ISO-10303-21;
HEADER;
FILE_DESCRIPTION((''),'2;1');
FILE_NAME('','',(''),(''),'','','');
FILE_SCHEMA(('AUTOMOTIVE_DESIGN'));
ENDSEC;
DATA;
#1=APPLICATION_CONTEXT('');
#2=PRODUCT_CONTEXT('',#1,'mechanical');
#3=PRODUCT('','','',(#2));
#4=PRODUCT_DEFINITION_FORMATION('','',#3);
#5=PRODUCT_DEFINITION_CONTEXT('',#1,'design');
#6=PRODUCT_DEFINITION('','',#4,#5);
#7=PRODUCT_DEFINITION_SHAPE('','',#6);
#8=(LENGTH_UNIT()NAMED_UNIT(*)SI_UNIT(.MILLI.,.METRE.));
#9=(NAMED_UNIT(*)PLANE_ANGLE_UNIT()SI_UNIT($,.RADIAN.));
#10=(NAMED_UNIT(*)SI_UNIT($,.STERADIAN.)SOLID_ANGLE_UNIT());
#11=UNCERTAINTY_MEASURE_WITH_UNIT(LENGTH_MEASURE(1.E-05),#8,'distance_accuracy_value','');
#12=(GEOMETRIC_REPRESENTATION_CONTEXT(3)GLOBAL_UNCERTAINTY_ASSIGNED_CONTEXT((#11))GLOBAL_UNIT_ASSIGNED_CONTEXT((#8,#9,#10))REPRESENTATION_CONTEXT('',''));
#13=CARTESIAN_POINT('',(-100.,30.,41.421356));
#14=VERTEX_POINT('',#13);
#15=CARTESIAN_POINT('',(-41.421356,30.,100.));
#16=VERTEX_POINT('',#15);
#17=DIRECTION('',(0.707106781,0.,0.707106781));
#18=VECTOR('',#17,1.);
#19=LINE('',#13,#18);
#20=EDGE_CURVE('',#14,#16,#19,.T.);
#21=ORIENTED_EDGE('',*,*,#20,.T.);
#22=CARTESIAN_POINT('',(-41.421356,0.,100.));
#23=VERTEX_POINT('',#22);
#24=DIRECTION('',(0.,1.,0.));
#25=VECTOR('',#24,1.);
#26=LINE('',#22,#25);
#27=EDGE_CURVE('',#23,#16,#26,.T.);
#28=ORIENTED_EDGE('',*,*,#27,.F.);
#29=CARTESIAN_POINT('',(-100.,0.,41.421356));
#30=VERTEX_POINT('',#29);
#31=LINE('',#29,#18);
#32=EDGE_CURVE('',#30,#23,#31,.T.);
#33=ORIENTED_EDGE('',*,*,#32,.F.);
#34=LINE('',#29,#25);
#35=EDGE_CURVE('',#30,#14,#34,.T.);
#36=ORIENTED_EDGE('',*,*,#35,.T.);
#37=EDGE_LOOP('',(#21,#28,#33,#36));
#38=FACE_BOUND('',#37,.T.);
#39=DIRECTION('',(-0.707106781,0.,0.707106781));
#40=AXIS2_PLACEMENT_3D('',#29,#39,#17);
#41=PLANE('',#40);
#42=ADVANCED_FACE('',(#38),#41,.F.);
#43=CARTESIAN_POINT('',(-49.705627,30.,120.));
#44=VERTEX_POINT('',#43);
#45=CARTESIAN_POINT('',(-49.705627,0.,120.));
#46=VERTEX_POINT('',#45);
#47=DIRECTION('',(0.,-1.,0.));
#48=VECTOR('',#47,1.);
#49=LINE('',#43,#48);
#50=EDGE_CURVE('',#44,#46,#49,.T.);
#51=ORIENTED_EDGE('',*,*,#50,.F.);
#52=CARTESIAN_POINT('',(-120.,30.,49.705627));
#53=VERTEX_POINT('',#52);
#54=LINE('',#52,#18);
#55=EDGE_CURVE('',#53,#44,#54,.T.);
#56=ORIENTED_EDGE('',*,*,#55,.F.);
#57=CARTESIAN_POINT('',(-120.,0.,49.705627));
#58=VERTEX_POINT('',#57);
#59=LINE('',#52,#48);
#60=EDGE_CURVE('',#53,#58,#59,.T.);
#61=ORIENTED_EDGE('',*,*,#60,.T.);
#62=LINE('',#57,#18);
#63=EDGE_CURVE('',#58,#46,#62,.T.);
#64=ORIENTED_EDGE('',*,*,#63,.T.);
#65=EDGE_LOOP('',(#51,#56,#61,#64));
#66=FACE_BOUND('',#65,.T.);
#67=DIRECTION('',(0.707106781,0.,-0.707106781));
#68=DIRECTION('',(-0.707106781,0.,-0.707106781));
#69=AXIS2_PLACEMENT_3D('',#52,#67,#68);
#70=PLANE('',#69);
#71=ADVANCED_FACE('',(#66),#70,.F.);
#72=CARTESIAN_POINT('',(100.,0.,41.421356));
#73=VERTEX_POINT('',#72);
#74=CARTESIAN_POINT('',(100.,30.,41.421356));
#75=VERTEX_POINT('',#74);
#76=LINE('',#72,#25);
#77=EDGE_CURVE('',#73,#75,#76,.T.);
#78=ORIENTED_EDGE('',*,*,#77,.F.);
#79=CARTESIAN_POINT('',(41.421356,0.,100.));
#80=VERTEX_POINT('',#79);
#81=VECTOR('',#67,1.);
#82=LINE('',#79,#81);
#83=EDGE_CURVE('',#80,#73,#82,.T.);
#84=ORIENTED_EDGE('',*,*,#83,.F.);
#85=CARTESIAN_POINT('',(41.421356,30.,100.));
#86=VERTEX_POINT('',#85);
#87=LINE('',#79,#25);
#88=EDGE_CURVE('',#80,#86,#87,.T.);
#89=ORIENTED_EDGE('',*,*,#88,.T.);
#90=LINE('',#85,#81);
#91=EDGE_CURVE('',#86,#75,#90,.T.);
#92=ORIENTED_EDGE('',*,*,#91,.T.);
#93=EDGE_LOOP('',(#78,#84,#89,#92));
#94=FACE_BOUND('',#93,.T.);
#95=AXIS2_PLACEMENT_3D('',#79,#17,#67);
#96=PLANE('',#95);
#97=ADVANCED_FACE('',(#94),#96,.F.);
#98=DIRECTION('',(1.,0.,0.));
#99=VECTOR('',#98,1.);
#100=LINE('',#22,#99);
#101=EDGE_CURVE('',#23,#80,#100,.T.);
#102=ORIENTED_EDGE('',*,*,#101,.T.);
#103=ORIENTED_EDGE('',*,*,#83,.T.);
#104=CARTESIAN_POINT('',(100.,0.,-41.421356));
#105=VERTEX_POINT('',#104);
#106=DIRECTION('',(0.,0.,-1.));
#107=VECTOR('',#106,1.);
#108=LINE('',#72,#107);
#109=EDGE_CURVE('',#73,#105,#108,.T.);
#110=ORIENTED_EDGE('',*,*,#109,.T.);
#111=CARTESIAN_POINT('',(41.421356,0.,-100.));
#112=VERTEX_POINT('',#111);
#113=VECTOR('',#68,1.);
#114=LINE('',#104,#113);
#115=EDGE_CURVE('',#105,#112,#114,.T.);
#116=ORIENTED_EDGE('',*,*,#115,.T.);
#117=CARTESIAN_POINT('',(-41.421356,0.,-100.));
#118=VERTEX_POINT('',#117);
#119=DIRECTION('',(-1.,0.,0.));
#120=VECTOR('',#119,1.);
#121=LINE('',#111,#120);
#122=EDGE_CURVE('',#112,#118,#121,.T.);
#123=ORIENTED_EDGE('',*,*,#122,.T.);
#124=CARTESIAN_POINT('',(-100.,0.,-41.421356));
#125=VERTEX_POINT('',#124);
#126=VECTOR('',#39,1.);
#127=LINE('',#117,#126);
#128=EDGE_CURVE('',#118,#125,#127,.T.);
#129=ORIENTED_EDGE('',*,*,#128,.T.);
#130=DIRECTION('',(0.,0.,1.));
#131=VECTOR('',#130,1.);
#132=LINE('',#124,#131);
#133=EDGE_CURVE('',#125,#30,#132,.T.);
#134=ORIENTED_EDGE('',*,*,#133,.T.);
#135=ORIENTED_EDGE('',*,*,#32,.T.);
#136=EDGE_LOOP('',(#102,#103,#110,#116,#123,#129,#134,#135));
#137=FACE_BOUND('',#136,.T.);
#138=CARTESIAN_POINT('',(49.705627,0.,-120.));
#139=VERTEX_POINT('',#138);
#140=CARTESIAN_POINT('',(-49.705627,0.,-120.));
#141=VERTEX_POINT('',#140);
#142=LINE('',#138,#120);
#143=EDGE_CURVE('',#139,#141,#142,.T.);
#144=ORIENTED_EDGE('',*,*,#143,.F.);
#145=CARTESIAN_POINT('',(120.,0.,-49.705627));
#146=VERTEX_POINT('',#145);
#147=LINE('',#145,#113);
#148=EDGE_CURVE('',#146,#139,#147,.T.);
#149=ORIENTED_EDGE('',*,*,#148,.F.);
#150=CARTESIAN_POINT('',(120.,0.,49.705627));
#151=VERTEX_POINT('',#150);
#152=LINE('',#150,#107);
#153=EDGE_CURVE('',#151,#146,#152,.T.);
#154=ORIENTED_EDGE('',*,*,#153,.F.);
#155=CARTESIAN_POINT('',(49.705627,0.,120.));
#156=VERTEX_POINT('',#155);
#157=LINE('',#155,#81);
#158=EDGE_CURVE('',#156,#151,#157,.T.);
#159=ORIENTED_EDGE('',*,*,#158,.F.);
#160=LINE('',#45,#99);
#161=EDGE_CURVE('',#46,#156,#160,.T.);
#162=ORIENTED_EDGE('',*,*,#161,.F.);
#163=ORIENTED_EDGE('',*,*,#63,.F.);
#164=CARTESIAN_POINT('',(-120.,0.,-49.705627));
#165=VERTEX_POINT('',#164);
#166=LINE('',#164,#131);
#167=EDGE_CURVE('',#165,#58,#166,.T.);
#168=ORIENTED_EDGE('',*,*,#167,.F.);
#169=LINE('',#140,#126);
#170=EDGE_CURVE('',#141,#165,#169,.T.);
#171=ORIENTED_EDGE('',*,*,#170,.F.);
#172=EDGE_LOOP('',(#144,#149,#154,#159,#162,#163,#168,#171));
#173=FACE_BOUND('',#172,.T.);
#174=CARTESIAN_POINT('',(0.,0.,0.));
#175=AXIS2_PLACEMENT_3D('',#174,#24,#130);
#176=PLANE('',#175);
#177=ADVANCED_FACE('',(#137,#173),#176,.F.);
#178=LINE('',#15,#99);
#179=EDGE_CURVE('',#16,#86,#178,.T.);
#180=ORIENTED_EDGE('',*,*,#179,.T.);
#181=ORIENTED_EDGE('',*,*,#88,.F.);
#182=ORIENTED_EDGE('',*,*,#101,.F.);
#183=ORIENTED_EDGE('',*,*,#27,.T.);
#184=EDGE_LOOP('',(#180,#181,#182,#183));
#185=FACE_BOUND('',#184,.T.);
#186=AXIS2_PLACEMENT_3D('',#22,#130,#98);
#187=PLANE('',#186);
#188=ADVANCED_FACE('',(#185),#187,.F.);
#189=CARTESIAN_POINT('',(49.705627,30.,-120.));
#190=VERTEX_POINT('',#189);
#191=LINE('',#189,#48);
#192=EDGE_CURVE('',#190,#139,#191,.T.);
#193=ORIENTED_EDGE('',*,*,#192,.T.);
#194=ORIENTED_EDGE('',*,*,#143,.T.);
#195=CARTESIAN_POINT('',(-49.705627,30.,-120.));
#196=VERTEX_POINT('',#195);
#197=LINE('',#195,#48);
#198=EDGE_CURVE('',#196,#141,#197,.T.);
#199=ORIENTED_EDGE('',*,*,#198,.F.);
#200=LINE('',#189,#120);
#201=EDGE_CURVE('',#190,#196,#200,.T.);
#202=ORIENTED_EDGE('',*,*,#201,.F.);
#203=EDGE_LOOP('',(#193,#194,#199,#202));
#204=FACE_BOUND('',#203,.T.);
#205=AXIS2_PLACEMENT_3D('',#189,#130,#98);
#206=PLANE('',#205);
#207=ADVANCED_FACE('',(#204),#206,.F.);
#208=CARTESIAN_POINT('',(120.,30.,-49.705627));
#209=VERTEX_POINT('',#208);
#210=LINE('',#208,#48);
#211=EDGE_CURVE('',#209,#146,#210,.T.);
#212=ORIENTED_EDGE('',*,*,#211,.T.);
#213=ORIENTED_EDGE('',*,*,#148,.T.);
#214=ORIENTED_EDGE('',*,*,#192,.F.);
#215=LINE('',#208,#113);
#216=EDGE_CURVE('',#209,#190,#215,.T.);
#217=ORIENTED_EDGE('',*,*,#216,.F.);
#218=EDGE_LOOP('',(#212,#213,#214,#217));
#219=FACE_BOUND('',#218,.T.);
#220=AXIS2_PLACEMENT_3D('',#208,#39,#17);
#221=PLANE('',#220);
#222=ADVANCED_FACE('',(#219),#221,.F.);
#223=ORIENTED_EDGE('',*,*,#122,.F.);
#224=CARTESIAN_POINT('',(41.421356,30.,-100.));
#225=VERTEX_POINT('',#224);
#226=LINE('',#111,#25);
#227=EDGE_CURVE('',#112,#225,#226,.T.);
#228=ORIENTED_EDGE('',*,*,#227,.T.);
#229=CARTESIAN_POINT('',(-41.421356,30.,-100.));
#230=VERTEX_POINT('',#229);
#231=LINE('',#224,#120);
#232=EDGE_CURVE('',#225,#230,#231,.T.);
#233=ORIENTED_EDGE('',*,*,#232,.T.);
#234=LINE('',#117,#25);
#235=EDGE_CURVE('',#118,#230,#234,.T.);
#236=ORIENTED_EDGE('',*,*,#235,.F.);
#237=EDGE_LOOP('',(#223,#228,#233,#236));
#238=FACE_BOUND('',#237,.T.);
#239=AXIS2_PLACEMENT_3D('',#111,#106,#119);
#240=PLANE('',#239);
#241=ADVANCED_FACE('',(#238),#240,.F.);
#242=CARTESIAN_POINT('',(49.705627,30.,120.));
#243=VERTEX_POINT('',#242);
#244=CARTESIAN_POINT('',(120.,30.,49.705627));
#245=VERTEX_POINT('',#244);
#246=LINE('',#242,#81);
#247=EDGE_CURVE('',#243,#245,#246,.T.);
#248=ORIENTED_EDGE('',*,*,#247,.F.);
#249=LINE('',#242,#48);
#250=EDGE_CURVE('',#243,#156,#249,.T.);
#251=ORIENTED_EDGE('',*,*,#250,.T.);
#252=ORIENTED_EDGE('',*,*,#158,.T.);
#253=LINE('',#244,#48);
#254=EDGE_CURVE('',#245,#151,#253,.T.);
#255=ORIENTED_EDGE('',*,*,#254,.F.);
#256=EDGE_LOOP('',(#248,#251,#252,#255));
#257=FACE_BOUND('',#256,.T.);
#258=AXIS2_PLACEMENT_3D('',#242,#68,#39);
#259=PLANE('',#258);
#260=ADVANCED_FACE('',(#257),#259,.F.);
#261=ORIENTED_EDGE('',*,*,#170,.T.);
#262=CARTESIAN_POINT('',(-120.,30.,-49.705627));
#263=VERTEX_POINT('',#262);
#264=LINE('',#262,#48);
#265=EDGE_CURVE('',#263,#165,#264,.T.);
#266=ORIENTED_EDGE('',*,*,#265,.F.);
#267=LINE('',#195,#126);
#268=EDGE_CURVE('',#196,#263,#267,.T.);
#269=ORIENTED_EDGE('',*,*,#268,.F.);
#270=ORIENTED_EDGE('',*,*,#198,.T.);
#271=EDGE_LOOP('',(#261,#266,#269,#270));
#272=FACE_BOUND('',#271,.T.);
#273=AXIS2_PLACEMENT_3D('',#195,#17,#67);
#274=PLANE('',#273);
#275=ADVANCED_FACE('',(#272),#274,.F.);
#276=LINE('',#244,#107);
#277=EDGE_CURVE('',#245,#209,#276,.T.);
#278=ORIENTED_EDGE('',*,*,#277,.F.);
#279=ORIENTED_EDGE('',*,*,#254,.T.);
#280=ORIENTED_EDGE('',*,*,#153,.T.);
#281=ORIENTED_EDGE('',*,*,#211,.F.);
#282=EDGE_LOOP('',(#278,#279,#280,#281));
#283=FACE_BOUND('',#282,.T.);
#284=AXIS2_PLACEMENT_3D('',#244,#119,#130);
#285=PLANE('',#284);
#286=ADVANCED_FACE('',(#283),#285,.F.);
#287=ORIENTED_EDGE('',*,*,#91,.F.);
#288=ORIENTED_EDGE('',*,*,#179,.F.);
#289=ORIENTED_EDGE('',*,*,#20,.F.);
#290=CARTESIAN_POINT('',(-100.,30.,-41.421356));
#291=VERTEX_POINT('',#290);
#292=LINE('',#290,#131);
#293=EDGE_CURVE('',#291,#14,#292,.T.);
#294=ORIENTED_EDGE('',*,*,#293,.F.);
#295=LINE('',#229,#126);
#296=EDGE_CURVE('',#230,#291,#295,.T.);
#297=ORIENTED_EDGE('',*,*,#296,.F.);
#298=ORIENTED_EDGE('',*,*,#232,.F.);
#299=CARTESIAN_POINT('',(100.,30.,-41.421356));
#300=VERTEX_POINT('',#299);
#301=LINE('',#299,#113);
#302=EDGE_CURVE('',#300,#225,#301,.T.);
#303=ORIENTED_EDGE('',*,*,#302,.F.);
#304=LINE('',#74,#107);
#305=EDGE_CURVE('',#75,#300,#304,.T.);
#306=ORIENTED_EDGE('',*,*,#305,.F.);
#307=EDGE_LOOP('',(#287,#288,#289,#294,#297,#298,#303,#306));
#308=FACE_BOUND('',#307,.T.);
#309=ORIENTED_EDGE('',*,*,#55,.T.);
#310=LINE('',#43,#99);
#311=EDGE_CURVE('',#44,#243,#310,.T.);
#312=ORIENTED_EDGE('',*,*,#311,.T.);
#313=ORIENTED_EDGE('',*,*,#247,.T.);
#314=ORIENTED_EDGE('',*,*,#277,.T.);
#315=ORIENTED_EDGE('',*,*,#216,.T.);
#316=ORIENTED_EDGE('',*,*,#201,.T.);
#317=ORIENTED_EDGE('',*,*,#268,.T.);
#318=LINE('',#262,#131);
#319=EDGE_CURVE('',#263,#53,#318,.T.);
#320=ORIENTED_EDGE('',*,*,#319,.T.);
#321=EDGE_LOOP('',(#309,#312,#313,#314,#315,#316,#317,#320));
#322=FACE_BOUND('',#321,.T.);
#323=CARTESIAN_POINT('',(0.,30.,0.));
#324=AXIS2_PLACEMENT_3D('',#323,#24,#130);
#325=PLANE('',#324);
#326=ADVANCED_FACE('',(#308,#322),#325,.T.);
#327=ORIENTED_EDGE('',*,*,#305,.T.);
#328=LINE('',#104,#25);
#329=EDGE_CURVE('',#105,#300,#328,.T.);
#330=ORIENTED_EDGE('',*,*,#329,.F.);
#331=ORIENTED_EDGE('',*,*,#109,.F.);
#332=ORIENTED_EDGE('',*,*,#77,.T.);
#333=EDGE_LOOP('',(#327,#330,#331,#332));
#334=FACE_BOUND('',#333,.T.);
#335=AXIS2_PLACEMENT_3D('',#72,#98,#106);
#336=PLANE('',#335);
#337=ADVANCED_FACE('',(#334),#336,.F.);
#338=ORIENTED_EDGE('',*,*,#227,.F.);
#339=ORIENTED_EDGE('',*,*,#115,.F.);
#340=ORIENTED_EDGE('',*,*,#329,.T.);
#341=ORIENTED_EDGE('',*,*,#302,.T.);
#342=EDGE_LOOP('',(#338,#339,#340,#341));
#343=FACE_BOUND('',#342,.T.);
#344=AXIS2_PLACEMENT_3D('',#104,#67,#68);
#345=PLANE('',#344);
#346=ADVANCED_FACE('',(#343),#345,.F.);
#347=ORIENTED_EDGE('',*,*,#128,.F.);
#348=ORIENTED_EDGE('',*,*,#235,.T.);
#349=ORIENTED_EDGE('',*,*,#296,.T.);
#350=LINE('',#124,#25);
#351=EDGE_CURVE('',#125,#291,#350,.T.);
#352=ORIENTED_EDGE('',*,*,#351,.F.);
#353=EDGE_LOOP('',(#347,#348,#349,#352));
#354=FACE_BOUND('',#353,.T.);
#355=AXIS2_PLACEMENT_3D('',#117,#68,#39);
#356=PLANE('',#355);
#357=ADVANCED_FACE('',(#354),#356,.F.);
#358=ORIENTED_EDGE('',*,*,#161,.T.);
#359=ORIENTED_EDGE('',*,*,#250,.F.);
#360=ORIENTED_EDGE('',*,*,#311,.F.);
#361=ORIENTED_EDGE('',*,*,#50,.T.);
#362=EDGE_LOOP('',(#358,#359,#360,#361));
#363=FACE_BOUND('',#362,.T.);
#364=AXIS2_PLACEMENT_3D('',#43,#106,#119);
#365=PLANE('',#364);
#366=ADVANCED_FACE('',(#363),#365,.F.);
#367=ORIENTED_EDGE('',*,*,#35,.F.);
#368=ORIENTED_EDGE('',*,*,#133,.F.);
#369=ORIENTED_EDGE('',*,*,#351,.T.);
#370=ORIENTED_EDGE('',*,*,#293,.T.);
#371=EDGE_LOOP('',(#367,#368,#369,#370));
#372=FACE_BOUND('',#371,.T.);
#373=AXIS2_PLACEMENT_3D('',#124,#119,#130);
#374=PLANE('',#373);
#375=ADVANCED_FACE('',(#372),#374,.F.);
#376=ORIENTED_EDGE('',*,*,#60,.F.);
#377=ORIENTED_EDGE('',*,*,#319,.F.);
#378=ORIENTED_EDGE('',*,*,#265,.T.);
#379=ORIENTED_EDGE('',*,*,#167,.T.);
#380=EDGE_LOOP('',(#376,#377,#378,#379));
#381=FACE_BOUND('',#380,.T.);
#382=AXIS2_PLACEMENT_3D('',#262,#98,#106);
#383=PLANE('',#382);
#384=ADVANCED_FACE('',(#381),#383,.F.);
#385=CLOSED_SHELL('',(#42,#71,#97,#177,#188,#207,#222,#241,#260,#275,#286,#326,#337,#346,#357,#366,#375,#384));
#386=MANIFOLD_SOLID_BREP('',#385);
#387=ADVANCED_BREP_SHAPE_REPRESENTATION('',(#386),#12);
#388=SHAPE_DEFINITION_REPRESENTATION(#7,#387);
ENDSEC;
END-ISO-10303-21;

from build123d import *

# Parameters (mm, degrees)
RESSALTO_EXTRUS_O2_DEPTH = 30
CORTE_EXTRUS_O2_DEPTH    = 30


with BuildPart() as part:
    # Esboço1 → Ressalto-extrusão2 (new body)
    with BuildSketch(Plane(origin=(0, 0, 0), x_dir=(1, 0, 0), z_dir=(0, 1, 0))):
        Polygon((120, 49.705627485), (49.705627485, 120), (-49.705627485, 120), (-120, 49.705627485), (-120, -49.705627485), (-49.705627485, -120), (49.705627485, -120), (120, -49.705627485), align=None)
    extrude(amount=RESSALTO_EXTRUS_O2_DEPTH)

    # Esboço3 → Corte-extrusão2 (cut)
    with BuildSketch(Plane(origin=(0, 30, 0), x_dir=(1, 0, 0), z_dir=(0, 1, 0))):
        Polygon((100, 41.421356237), (41.421356237, 100), (-41.421356237, 100), (-100, 41.421356237), (-100, -41.421356237), (-41.421356237, -100), (41.421356237, -100), (100, -41.421356237), align=None)
    extrude(amount=-CORTE_EXTRUS_O2_DEPTH, mode=Mode.SUBTRACT)


solid = part.part
